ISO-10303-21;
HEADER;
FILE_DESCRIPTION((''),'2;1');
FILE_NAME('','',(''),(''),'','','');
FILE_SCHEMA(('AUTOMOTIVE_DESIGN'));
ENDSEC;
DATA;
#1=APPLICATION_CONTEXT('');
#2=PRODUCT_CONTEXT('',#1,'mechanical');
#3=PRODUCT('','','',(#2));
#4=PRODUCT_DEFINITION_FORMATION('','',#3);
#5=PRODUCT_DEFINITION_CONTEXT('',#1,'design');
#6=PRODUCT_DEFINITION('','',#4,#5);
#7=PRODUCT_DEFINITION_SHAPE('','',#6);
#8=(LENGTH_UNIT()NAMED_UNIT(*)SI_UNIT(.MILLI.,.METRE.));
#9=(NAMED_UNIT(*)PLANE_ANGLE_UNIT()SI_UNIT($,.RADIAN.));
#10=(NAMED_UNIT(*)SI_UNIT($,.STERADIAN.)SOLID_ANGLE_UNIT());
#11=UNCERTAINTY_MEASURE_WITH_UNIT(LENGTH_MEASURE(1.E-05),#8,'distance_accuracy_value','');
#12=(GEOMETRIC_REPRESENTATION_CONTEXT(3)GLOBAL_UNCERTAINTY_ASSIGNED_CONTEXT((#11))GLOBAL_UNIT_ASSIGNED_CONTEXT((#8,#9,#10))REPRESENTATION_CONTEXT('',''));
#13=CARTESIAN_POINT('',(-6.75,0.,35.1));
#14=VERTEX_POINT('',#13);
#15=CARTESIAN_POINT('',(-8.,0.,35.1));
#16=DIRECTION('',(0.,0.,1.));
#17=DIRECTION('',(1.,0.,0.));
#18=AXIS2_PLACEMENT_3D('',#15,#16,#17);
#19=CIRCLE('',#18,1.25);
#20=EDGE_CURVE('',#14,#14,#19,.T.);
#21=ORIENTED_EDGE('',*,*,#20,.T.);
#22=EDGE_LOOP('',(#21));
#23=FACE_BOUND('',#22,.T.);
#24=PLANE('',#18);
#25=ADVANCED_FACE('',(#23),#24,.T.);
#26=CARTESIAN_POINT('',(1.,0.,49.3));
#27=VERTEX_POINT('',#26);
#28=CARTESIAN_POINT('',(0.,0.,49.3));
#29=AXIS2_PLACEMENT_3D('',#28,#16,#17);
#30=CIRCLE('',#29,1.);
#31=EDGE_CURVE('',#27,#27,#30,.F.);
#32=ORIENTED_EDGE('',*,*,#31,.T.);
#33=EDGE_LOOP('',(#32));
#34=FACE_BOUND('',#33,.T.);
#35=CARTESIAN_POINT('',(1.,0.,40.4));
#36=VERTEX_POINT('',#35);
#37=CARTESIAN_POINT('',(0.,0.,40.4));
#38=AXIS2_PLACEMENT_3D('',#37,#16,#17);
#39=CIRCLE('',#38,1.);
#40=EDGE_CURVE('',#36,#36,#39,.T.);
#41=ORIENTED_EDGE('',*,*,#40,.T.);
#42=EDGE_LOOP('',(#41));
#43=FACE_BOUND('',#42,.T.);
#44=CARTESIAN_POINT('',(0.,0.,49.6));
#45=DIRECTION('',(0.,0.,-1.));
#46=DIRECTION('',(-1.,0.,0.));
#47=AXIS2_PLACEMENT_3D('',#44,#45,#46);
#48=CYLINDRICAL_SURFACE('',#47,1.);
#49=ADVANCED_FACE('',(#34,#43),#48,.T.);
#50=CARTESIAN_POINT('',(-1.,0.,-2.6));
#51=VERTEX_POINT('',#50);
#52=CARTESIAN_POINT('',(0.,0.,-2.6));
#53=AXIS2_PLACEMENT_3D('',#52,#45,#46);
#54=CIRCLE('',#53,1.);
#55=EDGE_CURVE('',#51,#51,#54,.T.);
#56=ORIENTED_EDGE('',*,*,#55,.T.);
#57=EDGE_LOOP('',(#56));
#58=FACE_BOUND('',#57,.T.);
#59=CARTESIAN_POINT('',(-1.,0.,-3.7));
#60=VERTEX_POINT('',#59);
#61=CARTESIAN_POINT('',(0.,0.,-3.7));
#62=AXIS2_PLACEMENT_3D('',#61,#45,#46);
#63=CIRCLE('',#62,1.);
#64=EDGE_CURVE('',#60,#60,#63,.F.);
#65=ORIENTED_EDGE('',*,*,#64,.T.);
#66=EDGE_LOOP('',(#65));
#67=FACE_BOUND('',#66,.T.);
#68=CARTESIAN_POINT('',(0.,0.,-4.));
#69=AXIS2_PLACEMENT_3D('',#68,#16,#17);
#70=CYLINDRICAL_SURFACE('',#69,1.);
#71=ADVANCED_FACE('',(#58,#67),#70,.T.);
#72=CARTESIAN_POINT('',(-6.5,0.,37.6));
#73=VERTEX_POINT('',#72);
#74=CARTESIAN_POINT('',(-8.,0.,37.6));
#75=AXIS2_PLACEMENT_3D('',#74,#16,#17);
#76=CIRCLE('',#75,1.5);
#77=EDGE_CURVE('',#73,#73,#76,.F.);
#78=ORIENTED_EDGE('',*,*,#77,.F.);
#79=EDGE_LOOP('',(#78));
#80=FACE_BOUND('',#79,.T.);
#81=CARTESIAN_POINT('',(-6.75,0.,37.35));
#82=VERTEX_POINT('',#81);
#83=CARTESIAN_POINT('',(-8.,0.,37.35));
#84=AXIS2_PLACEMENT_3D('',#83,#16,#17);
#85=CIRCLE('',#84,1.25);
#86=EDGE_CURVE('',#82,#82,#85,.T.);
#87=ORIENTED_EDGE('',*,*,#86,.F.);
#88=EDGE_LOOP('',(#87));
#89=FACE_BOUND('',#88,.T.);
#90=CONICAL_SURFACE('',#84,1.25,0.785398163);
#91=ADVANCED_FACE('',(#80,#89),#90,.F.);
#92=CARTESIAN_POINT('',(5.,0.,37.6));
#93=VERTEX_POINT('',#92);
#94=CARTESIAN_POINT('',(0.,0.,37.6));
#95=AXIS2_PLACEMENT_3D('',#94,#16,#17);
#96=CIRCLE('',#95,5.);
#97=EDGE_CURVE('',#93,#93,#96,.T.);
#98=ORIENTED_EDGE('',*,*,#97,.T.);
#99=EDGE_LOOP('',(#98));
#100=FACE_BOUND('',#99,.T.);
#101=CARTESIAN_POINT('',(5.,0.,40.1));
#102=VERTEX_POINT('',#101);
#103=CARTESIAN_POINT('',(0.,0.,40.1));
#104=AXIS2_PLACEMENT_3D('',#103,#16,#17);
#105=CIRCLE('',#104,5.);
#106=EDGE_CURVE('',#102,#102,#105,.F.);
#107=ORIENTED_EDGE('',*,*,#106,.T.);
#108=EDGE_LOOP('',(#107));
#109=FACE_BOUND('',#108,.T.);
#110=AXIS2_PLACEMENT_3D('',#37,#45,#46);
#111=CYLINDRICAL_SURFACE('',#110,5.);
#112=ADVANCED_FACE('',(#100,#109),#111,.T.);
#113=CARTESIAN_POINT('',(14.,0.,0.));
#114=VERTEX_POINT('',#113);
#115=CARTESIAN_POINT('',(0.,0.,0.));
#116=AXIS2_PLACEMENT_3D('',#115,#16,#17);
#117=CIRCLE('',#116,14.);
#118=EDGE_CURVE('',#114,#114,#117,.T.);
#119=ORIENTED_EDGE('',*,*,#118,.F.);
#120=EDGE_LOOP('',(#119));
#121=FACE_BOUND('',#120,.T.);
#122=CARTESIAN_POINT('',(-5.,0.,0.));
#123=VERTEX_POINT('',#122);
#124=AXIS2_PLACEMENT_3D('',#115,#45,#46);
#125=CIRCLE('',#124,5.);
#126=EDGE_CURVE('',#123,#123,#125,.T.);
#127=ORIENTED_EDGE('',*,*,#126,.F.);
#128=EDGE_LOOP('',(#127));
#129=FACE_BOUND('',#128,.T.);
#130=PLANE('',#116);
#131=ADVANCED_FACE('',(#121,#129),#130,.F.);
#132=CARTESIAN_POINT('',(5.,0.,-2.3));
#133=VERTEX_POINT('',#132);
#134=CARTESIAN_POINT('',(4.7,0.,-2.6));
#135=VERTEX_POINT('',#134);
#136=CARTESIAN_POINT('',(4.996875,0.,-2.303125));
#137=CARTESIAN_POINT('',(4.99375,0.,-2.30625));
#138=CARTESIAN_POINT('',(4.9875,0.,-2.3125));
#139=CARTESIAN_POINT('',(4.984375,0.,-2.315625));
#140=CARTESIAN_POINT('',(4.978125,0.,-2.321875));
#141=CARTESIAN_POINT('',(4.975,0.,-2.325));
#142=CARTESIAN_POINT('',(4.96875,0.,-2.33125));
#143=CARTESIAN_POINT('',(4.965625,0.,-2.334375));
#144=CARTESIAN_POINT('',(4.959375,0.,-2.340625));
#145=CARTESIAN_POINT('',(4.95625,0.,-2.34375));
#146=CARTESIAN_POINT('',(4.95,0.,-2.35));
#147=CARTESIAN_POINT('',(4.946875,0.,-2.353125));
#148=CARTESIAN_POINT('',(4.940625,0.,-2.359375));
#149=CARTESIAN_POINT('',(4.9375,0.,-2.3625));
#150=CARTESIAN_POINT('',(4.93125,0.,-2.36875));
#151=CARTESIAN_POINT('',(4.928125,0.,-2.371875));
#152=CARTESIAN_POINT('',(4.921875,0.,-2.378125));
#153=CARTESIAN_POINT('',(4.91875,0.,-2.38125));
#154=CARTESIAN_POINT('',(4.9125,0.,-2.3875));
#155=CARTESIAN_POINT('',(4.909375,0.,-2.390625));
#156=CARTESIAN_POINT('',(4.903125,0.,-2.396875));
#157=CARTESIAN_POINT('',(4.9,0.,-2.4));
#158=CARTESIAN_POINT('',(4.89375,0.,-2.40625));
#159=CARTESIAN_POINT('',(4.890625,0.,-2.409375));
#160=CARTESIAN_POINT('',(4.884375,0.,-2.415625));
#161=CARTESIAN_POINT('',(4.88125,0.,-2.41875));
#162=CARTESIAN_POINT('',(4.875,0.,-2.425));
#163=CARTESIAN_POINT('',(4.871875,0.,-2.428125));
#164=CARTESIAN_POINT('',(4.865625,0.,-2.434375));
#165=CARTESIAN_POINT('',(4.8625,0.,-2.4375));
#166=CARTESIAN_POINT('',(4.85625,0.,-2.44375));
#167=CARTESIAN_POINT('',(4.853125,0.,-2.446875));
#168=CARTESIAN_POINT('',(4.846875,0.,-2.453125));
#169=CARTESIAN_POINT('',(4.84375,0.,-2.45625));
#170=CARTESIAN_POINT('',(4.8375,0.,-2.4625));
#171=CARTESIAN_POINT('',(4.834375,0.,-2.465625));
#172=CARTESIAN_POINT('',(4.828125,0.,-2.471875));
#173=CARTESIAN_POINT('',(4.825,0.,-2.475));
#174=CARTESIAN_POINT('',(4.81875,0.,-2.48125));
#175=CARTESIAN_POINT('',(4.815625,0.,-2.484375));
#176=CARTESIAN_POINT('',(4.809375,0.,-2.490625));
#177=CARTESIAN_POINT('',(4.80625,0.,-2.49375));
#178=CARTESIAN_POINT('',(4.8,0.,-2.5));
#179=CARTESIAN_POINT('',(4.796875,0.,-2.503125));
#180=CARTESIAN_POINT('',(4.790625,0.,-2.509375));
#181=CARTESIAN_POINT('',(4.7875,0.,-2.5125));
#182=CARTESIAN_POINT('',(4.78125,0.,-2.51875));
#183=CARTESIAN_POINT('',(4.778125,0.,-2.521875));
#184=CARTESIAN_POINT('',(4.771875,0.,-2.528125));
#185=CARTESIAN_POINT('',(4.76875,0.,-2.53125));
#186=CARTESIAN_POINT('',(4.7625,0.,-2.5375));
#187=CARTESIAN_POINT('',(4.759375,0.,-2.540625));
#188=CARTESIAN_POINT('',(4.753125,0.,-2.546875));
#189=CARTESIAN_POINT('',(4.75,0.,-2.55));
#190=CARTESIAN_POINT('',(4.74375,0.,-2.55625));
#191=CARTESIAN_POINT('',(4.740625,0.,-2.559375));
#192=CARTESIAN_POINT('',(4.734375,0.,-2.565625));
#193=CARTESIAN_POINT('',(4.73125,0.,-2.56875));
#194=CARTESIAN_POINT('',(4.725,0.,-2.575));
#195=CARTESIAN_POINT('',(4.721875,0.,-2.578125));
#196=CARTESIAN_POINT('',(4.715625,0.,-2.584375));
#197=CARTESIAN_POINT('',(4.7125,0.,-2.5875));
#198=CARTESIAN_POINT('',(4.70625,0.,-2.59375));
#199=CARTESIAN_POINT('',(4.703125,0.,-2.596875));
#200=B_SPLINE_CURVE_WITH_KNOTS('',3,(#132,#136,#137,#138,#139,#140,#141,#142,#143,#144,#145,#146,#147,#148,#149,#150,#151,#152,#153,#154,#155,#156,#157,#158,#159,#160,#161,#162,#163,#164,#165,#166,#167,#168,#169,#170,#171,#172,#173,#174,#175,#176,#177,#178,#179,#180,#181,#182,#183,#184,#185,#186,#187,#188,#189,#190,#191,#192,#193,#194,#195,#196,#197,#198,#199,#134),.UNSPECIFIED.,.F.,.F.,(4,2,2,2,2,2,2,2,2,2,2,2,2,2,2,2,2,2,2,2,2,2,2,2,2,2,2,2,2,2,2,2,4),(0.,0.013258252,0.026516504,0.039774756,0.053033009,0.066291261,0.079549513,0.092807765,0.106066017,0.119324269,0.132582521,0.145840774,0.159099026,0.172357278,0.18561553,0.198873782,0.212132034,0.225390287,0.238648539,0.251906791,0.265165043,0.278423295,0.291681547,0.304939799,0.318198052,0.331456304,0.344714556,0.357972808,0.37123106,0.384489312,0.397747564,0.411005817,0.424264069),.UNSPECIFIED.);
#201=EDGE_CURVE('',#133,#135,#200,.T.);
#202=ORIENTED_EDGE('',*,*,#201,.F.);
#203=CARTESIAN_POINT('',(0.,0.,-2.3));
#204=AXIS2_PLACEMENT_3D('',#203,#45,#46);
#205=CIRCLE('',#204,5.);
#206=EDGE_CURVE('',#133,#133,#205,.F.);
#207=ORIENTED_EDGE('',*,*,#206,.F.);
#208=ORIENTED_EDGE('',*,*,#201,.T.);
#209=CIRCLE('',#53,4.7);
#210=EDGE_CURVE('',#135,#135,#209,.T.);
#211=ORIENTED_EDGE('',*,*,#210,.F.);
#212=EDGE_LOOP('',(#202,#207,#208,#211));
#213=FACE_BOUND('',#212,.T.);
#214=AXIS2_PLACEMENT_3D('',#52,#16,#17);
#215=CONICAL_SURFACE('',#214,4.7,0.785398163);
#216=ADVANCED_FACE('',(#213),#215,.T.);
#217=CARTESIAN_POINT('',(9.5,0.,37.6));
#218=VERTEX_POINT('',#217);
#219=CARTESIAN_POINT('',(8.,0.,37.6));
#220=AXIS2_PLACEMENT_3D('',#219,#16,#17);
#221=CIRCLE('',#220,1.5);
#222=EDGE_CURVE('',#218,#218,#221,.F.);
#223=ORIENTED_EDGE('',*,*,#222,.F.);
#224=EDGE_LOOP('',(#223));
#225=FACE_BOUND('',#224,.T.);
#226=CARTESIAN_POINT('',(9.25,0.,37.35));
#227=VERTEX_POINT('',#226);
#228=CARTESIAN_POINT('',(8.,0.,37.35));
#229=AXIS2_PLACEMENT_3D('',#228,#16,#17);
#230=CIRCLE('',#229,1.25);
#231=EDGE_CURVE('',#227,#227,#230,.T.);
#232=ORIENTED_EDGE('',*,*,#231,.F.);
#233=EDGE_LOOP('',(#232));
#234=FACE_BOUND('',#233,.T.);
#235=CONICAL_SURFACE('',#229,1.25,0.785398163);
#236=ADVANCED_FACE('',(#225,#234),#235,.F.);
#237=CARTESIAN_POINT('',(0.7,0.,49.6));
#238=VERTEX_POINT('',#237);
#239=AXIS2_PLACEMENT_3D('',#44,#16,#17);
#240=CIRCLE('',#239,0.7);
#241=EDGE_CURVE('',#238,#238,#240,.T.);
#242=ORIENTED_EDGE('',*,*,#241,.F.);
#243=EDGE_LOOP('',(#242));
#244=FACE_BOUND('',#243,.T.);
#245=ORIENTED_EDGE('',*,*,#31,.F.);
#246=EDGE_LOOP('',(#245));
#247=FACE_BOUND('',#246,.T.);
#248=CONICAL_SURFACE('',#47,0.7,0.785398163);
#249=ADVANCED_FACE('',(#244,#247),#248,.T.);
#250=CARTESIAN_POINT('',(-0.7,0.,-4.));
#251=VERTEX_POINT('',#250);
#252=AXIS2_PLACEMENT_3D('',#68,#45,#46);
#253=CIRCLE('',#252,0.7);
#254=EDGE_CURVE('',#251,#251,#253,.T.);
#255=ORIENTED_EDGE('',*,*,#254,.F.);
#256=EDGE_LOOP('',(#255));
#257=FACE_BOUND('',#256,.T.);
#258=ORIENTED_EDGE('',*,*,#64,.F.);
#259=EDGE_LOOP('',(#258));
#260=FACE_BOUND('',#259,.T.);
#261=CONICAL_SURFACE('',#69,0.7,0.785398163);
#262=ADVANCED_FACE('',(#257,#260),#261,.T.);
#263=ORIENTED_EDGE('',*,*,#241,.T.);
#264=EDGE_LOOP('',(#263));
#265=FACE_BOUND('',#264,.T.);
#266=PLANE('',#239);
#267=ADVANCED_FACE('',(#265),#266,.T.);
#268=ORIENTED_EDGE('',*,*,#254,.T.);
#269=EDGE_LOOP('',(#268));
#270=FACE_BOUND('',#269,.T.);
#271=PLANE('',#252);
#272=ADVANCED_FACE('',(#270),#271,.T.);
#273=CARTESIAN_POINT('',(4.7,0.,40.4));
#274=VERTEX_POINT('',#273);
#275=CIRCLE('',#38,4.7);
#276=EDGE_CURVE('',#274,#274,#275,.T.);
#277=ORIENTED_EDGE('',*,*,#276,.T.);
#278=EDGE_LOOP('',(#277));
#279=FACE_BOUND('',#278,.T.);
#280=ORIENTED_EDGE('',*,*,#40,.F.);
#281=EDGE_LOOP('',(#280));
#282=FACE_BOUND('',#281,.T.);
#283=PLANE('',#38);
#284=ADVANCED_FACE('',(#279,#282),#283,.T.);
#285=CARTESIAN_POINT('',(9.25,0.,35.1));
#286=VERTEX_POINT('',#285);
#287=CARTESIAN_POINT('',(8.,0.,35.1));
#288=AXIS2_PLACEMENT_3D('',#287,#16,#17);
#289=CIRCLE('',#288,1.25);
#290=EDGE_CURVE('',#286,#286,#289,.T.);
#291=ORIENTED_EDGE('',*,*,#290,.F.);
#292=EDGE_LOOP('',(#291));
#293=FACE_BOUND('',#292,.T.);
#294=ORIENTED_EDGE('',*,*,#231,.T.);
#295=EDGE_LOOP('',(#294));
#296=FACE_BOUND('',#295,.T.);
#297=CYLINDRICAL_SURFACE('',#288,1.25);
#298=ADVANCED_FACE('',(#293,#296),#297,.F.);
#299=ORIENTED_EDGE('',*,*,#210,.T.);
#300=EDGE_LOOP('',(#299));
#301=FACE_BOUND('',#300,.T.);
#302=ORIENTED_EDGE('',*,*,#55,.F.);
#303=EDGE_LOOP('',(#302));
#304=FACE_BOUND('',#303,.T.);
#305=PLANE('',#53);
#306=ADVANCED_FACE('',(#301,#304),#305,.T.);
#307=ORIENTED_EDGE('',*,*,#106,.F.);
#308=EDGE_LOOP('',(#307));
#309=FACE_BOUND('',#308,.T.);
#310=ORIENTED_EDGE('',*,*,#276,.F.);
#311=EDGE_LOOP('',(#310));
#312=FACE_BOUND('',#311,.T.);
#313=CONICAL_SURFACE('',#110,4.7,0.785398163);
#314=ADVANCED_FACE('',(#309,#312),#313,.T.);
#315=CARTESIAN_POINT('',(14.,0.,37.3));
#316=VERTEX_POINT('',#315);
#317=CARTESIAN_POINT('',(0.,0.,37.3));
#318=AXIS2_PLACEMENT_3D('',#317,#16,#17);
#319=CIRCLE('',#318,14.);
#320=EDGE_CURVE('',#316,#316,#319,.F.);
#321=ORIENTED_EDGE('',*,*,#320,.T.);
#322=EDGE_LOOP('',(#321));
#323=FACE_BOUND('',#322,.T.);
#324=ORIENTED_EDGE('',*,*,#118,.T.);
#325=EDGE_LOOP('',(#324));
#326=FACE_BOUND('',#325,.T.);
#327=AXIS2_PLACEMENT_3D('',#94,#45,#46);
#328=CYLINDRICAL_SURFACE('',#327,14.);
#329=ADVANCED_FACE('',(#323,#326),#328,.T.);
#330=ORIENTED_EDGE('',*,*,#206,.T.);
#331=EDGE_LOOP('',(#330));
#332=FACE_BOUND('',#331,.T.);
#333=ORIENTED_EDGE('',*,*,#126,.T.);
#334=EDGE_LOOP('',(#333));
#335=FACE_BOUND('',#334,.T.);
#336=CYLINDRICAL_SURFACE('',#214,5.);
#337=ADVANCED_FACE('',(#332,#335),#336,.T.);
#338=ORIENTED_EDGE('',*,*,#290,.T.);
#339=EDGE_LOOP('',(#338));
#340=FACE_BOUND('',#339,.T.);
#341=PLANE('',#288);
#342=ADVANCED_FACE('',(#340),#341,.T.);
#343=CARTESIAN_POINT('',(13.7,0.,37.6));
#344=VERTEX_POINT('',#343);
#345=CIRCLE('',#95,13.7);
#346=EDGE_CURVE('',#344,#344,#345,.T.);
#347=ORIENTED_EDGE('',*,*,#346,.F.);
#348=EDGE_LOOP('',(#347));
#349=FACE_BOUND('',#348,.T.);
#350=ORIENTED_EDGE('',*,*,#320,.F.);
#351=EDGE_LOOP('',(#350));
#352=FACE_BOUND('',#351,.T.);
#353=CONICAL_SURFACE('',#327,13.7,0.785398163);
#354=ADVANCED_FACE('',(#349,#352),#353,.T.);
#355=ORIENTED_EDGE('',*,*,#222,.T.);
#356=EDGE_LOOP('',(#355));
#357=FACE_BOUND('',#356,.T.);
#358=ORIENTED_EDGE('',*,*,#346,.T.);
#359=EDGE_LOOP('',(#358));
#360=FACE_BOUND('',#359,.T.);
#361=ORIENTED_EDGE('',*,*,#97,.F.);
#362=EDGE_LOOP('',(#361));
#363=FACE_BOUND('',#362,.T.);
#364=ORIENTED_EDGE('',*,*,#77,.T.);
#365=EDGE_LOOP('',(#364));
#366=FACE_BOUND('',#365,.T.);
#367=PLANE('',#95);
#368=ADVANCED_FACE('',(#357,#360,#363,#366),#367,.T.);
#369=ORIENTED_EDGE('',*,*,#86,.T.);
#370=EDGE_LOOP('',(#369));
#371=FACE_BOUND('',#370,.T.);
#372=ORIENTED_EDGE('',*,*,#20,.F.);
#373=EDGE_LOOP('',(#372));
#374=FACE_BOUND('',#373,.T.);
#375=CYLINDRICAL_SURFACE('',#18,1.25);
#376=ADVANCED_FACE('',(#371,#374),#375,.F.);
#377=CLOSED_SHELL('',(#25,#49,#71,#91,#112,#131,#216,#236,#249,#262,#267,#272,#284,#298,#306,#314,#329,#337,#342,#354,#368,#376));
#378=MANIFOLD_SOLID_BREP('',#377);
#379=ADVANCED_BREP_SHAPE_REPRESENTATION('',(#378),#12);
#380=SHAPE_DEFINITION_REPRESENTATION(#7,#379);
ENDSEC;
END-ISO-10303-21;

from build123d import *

# Parameters (mm, degrees)
SKETCH1_R           = 14
BOSS_EXTRUDE1_DEPTH = 37.6
SKETCH2_R           = 5
BOSS_EXTRUDE2_DEPTH = 2.8
SKETCH3_R           = 1
BOSS_EXTRUDE3_DEPTH = 9.2
BOSS_EXTRUDE4_START = 2.6
SKETCH4_R           = 5
BOSS_EXTRUDE4_DEPTH = 2.6
BOSS_EXTRUDE5_START = 1.4
SKETCH5_R           = 1
BOSS_EXTRUDE5_DEPTH = 1.4
CHAMFER1_SIZE       = 0.3
CHAMFER2_SIZE       = 0.3
SKETCH6_R           = 1.25
CUT_EXTRUDE1_DEPTH  = 2.5
CHAMFER3_SIZE       = 0.25


with BuildPart() as part:
    # Sketch1 → Boss-Extrude1 (new body)
    with BuildSketch(Plane.XY):
        Circle(SKETCH1_R)
    extrude(amount=BOSS_EXTRUDE1_DEPTH)

    # Sketch2 → Boss-Extrude2 (add)
    with BuildSketch(Plane.XY.offset(37.6)):
        Circle(SKETCH2_R)
    extrude(amount=BOSS_EXTRUDE2_DEPTH)

    # Sketch3 → Boss-Extrude3 (add)
    with BuildSketch(Plane.XY.offset(40.4)):
        Circle(SKETCH3_R)
    extrude(amount=BOSS_EXTRUDE3_DEPTH)

    # Sketch4 → Boss-Extrude4 (add)
    with BuildSketch(Plane(origin=(0, 0, 0), x_dir=(-1, 0, 0), z_dir=(0, 0, -1)).offset(BOSS_EXTRUDE4_START)):
        with Locations(Location((0, 0, 0), (0, 0, 180))):
            Circle(SKETCH4_R)
    extrude(amount=-BOSS_EXTRUDE4_DEPTH)

    # Sketch5 → Boss-Extrude5 (add)
    with BuildSketch(Plane(origin=(0, 0, -2.6), x_dir=(-1, 0, 0), z_dir=(0, 0, -1)).offset(BOSS_EXTRUDE5_START)):
        with Locations(Location((0, 0, 0), (0, 0, 180))):
            Circle(SKETCH5_R)
    extrude(amount=-BOSS_EXTRUDE5_DEPTH)

    # Chamfer1
    chamfer1_edges = [part.edges().sort_by_distance(p)[0] for p in [
        (-5, 0, -2.6),
        (-14, 0, 37.6),
        (-5, 0, 40.4),
    ]]
    chamfer(chamfer1_edges, length=CHAMFER1_SIZE)

    # Chamfer2
    chamfer2_edges = [part.edges().sort_by_distance(p)[0] for p in [
        (-1, 0, 49.6),
        (-1, 0, -4),
    ]]
    chamfer(chamfer2_edges, length=CHAMFER2_SIZE)

    # Sketch6 → Cut-Extrude1 (cut)
    with BuildSketch(Plane.XY.offset(37.6)):
        with Locations((-8, 0)):
            Circle(SKETCH6_R)
        with Locations((8, 0)):
            Circle(SKETCH6_R)
    extrude(amount=-CUT_EXTRUDE1_DEPTH, mode=Mode.SUBTRACT)

    # Chamfer3
    chamfer3_edges = [part.edges().sort_by_distance(p)[0] for p in [
        (-9.25, 0, 37.6),
        (6.75, 0, 37.6),
    ]]
    chamfer(chamfer3_edges, length=CHAMFER3_SIZE)


solid = part.part
